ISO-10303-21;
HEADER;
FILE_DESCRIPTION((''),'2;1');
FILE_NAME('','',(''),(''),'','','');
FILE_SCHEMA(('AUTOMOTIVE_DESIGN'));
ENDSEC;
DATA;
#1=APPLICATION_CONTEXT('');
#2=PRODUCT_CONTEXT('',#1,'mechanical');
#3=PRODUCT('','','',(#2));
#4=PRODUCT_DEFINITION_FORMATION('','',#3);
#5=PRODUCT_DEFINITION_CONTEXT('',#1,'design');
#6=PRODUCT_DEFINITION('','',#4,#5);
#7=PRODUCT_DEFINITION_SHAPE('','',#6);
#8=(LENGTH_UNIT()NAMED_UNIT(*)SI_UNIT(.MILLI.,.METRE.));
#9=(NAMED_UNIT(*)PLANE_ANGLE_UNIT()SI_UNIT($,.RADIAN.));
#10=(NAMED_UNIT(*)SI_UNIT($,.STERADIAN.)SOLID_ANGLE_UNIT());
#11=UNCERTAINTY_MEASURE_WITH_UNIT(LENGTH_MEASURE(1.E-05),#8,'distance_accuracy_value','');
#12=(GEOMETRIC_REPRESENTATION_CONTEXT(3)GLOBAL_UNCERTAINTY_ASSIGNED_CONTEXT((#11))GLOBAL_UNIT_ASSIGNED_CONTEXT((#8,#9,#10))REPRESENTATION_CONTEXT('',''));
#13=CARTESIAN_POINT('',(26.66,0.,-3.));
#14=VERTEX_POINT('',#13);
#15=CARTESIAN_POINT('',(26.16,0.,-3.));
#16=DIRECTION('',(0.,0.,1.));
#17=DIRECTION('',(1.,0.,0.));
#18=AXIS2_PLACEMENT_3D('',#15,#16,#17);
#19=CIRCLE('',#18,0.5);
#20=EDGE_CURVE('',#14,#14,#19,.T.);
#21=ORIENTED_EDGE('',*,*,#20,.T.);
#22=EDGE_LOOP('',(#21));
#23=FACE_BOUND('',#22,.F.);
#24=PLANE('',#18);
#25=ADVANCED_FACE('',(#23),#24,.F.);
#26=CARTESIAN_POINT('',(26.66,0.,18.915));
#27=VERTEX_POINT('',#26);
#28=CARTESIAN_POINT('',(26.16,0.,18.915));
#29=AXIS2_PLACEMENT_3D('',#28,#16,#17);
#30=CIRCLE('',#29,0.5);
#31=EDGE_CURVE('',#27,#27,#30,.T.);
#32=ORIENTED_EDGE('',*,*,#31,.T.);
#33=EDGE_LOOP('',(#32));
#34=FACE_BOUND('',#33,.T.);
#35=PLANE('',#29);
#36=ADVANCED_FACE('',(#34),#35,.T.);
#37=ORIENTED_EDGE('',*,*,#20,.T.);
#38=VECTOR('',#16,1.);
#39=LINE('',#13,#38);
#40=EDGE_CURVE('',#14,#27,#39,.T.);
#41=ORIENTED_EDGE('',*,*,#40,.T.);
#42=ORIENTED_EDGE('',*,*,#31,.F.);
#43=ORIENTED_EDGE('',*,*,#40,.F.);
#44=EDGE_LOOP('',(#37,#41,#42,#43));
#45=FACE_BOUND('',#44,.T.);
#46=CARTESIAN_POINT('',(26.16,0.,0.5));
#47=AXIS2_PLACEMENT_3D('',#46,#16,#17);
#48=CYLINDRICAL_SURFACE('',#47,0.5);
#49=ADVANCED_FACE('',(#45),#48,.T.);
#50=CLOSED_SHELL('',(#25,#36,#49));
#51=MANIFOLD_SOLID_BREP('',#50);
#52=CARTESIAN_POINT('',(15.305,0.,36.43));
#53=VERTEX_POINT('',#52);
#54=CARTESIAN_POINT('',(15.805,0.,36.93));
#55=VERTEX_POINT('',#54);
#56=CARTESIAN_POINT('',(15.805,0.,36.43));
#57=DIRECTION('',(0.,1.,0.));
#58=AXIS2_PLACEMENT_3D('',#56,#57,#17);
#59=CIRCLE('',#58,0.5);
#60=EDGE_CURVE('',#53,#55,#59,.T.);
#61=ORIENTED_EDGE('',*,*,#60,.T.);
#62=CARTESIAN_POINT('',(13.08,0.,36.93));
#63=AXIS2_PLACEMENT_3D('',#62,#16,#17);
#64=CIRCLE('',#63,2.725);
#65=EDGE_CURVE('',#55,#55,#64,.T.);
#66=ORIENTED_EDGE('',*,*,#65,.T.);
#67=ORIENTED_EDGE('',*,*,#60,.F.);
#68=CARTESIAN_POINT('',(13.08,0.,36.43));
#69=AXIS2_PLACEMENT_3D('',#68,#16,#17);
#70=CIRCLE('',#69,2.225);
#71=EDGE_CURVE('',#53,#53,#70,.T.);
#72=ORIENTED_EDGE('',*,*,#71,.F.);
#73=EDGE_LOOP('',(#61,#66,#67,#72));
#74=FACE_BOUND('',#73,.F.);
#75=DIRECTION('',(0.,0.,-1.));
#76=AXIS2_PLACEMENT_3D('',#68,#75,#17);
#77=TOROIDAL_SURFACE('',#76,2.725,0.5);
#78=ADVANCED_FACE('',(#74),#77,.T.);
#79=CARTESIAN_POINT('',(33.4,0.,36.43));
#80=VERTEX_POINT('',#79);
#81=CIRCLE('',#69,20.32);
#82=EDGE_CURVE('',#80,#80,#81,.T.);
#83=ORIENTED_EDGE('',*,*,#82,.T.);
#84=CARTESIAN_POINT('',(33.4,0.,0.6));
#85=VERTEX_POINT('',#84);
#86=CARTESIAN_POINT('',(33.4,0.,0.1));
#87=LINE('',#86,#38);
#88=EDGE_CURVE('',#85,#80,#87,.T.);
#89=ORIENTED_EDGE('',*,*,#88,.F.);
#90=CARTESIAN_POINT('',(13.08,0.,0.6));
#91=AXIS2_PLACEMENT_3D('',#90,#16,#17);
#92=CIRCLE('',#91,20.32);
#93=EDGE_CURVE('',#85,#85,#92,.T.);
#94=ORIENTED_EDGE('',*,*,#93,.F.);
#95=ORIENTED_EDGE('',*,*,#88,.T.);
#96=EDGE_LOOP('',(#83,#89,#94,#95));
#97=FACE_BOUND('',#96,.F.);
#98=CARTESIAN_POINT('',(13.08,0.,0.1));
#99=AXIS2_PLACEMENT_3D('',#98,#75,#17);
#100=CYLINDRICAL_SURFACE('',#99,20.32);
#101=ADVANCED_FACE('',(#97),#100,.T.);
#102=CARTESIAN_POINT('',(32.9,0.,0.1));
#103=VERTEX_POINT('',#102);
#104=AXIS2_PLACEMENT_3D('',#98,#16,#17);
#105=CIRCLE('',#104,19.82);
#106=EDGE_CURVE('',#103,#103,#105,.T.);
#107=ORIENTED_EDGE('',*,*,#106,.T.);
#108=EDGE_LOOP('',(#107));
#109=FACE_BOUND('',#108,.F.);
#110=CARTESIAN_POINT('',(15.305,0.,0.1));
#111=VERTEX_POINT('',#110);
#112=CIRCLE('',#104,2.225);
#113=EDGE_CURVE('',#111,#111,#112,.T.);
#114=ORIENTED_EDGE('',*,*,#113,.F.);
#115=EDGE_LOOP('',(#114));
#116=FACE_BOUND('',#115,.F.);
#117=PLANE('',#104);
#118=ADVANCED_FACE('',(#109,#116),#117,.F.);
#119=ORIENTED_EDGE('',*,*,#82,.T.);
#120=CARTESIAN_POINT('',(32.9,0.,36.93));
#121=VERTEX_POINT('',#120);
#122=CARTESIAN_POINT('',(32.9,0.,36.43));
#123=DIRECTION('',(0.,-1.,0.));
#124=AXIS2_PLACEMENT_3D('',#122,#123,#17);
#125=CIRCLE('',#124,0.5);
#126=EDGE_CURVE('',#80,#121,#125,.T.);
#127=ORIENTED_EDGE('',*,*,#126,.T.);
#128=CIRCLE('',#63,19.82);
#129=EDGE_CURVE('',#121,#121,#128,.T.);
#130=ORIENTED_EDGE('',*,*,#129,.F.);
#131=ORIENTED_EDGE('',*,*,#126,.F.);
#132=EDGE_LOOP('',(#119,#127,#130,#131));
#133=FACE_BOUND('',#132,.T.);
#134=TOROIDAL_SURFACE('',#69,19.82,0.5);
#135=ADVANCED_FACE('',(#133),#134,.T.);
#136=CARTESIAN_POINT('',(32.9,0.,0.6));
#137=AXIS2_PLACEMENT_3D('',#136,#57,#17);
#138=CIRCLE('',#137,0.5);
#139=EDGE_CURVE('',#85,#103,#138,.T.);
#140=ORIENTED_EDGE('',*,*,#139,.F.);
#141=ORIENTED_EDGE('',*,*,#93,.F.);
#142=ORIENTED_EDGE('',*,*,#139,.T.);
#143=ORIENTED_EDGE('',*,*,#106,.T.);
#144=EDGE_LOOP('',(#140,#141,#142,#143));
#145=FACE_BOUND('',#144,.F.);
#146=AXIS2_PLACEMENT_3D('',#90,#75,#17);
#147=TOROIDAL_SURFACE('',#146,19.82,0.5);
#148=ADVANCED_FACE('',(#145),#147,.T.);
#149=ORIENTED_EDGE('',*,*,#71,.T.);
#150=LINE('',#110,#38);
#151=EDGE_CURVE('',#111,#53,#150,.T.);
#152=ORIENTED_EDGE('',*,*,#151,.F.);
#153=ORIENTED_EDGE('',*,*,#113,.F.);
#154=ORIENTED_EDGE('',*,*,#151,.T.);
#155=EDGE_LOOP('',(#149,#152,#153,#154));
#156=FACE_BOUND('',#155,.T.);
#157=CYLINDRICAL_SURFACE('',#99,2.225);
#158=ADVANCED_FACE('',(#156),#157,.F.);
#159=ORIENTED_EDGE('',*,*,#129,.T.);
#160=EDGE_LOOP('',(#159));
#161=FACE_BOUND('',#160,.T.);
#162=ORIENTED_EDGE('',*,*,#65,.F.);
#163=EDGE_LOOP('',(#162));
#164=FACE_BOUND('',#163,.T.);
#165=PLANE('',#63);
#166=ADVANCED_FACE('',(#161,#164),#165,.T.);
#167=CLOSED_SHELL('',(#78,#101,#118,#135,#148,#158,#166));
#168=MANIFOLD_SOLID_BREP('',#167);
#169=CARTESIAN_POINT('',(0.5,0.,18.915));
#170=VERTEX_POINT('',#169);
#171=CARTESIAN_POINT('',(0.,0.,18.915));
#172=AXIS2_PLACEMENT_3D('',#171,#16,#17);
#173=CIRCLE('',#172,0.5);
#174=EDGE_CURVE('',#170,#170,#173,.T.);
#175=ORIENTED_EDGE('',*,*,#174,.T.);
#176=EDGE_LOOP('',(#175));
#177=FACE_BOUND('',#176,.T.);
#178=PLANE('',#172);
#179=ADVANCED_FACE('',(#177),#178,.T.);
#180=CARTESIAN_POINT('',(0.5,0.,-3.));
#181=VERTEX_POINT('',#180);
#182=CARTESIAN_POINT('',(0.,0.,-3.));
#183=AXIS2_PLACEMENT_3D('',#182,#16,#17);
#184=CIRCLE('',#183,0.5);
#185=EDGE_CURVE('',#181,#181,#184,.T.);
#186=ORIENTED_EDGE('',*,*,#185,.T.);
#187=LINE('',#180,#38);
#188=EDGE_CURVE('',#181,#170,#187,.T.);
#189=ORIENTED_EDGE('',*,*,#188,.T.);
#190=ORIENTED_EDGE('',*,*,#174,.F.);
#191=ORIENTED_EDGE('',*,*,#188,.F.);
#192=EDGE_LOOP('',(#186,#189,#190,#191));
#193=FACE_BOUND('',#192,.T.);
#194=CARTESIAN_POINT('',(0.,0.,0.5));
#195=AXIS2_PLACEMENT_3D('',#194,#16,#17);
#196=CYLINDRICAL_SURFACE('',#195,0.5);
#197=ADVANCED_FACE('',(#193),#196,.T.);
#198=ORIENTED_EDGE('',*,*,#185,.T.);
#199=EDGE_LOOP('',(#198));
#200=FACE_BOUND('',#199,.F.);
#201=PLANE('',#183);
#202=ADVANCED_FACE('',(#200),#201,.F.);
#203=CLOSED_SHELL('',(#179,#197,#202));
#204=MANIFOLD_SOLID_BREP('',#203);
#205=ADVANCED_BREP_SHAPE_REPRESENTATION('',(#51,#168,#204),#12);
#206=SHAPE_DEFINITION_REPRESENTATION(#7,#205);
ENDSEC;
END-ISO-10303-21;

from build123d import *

# Parameters (mm, degrees)
SKETCH001_R       = 0.5
PAD001_DEPTH      = 18.415
PAD001_DEPTH_BACK = 3.5
SKETCH_R          = 20.32
SKETCH_R_2        = 2.225
PAD_DEPTH         = 36.83
FILLET_R          = 0.5


with BuildPart() as pad001:
    # Sketch001 → Pad001 (new body, two sides)
    with BuildSketch(Plane.XY.offset(0.5)) as pad001_sk:
        Circle(SKETCH001_R)
        with Locations((26.16, 0)):
            Circle(SKETCH001_R)
    extrude(amount=PAD001_DEPTH)
    extrude(pad001_sk.sketch, amount=-PAD001_DEPTH_BACK)


with BuildPart() as fillet_body:
    # Sketch → Pad (new body)
    with BuildSketch(Plane.XY.offset(0.1)):
        with Locations((13.08, 0)):
            Circle(SKETCH_R)
        with Locations((13.08, 0)):
            Circle(SKETCH_R_2, mode=Mode.SUBTRACT)
    extrude(amount=PAD_DEPTH)

    # Fillet
    fillet_edges = [fillet_body.edges().sort_by_distance(p)[0] for p in [
        (10.855, 0, 36.93),
        (-7.24, 0, 36.93),
        (-7.24, 0, 0.1),
    ]]
    fillet(fillet_edges, radius=FILLET_R)


solid = Compound([pad001.part, fillet_body.part])
